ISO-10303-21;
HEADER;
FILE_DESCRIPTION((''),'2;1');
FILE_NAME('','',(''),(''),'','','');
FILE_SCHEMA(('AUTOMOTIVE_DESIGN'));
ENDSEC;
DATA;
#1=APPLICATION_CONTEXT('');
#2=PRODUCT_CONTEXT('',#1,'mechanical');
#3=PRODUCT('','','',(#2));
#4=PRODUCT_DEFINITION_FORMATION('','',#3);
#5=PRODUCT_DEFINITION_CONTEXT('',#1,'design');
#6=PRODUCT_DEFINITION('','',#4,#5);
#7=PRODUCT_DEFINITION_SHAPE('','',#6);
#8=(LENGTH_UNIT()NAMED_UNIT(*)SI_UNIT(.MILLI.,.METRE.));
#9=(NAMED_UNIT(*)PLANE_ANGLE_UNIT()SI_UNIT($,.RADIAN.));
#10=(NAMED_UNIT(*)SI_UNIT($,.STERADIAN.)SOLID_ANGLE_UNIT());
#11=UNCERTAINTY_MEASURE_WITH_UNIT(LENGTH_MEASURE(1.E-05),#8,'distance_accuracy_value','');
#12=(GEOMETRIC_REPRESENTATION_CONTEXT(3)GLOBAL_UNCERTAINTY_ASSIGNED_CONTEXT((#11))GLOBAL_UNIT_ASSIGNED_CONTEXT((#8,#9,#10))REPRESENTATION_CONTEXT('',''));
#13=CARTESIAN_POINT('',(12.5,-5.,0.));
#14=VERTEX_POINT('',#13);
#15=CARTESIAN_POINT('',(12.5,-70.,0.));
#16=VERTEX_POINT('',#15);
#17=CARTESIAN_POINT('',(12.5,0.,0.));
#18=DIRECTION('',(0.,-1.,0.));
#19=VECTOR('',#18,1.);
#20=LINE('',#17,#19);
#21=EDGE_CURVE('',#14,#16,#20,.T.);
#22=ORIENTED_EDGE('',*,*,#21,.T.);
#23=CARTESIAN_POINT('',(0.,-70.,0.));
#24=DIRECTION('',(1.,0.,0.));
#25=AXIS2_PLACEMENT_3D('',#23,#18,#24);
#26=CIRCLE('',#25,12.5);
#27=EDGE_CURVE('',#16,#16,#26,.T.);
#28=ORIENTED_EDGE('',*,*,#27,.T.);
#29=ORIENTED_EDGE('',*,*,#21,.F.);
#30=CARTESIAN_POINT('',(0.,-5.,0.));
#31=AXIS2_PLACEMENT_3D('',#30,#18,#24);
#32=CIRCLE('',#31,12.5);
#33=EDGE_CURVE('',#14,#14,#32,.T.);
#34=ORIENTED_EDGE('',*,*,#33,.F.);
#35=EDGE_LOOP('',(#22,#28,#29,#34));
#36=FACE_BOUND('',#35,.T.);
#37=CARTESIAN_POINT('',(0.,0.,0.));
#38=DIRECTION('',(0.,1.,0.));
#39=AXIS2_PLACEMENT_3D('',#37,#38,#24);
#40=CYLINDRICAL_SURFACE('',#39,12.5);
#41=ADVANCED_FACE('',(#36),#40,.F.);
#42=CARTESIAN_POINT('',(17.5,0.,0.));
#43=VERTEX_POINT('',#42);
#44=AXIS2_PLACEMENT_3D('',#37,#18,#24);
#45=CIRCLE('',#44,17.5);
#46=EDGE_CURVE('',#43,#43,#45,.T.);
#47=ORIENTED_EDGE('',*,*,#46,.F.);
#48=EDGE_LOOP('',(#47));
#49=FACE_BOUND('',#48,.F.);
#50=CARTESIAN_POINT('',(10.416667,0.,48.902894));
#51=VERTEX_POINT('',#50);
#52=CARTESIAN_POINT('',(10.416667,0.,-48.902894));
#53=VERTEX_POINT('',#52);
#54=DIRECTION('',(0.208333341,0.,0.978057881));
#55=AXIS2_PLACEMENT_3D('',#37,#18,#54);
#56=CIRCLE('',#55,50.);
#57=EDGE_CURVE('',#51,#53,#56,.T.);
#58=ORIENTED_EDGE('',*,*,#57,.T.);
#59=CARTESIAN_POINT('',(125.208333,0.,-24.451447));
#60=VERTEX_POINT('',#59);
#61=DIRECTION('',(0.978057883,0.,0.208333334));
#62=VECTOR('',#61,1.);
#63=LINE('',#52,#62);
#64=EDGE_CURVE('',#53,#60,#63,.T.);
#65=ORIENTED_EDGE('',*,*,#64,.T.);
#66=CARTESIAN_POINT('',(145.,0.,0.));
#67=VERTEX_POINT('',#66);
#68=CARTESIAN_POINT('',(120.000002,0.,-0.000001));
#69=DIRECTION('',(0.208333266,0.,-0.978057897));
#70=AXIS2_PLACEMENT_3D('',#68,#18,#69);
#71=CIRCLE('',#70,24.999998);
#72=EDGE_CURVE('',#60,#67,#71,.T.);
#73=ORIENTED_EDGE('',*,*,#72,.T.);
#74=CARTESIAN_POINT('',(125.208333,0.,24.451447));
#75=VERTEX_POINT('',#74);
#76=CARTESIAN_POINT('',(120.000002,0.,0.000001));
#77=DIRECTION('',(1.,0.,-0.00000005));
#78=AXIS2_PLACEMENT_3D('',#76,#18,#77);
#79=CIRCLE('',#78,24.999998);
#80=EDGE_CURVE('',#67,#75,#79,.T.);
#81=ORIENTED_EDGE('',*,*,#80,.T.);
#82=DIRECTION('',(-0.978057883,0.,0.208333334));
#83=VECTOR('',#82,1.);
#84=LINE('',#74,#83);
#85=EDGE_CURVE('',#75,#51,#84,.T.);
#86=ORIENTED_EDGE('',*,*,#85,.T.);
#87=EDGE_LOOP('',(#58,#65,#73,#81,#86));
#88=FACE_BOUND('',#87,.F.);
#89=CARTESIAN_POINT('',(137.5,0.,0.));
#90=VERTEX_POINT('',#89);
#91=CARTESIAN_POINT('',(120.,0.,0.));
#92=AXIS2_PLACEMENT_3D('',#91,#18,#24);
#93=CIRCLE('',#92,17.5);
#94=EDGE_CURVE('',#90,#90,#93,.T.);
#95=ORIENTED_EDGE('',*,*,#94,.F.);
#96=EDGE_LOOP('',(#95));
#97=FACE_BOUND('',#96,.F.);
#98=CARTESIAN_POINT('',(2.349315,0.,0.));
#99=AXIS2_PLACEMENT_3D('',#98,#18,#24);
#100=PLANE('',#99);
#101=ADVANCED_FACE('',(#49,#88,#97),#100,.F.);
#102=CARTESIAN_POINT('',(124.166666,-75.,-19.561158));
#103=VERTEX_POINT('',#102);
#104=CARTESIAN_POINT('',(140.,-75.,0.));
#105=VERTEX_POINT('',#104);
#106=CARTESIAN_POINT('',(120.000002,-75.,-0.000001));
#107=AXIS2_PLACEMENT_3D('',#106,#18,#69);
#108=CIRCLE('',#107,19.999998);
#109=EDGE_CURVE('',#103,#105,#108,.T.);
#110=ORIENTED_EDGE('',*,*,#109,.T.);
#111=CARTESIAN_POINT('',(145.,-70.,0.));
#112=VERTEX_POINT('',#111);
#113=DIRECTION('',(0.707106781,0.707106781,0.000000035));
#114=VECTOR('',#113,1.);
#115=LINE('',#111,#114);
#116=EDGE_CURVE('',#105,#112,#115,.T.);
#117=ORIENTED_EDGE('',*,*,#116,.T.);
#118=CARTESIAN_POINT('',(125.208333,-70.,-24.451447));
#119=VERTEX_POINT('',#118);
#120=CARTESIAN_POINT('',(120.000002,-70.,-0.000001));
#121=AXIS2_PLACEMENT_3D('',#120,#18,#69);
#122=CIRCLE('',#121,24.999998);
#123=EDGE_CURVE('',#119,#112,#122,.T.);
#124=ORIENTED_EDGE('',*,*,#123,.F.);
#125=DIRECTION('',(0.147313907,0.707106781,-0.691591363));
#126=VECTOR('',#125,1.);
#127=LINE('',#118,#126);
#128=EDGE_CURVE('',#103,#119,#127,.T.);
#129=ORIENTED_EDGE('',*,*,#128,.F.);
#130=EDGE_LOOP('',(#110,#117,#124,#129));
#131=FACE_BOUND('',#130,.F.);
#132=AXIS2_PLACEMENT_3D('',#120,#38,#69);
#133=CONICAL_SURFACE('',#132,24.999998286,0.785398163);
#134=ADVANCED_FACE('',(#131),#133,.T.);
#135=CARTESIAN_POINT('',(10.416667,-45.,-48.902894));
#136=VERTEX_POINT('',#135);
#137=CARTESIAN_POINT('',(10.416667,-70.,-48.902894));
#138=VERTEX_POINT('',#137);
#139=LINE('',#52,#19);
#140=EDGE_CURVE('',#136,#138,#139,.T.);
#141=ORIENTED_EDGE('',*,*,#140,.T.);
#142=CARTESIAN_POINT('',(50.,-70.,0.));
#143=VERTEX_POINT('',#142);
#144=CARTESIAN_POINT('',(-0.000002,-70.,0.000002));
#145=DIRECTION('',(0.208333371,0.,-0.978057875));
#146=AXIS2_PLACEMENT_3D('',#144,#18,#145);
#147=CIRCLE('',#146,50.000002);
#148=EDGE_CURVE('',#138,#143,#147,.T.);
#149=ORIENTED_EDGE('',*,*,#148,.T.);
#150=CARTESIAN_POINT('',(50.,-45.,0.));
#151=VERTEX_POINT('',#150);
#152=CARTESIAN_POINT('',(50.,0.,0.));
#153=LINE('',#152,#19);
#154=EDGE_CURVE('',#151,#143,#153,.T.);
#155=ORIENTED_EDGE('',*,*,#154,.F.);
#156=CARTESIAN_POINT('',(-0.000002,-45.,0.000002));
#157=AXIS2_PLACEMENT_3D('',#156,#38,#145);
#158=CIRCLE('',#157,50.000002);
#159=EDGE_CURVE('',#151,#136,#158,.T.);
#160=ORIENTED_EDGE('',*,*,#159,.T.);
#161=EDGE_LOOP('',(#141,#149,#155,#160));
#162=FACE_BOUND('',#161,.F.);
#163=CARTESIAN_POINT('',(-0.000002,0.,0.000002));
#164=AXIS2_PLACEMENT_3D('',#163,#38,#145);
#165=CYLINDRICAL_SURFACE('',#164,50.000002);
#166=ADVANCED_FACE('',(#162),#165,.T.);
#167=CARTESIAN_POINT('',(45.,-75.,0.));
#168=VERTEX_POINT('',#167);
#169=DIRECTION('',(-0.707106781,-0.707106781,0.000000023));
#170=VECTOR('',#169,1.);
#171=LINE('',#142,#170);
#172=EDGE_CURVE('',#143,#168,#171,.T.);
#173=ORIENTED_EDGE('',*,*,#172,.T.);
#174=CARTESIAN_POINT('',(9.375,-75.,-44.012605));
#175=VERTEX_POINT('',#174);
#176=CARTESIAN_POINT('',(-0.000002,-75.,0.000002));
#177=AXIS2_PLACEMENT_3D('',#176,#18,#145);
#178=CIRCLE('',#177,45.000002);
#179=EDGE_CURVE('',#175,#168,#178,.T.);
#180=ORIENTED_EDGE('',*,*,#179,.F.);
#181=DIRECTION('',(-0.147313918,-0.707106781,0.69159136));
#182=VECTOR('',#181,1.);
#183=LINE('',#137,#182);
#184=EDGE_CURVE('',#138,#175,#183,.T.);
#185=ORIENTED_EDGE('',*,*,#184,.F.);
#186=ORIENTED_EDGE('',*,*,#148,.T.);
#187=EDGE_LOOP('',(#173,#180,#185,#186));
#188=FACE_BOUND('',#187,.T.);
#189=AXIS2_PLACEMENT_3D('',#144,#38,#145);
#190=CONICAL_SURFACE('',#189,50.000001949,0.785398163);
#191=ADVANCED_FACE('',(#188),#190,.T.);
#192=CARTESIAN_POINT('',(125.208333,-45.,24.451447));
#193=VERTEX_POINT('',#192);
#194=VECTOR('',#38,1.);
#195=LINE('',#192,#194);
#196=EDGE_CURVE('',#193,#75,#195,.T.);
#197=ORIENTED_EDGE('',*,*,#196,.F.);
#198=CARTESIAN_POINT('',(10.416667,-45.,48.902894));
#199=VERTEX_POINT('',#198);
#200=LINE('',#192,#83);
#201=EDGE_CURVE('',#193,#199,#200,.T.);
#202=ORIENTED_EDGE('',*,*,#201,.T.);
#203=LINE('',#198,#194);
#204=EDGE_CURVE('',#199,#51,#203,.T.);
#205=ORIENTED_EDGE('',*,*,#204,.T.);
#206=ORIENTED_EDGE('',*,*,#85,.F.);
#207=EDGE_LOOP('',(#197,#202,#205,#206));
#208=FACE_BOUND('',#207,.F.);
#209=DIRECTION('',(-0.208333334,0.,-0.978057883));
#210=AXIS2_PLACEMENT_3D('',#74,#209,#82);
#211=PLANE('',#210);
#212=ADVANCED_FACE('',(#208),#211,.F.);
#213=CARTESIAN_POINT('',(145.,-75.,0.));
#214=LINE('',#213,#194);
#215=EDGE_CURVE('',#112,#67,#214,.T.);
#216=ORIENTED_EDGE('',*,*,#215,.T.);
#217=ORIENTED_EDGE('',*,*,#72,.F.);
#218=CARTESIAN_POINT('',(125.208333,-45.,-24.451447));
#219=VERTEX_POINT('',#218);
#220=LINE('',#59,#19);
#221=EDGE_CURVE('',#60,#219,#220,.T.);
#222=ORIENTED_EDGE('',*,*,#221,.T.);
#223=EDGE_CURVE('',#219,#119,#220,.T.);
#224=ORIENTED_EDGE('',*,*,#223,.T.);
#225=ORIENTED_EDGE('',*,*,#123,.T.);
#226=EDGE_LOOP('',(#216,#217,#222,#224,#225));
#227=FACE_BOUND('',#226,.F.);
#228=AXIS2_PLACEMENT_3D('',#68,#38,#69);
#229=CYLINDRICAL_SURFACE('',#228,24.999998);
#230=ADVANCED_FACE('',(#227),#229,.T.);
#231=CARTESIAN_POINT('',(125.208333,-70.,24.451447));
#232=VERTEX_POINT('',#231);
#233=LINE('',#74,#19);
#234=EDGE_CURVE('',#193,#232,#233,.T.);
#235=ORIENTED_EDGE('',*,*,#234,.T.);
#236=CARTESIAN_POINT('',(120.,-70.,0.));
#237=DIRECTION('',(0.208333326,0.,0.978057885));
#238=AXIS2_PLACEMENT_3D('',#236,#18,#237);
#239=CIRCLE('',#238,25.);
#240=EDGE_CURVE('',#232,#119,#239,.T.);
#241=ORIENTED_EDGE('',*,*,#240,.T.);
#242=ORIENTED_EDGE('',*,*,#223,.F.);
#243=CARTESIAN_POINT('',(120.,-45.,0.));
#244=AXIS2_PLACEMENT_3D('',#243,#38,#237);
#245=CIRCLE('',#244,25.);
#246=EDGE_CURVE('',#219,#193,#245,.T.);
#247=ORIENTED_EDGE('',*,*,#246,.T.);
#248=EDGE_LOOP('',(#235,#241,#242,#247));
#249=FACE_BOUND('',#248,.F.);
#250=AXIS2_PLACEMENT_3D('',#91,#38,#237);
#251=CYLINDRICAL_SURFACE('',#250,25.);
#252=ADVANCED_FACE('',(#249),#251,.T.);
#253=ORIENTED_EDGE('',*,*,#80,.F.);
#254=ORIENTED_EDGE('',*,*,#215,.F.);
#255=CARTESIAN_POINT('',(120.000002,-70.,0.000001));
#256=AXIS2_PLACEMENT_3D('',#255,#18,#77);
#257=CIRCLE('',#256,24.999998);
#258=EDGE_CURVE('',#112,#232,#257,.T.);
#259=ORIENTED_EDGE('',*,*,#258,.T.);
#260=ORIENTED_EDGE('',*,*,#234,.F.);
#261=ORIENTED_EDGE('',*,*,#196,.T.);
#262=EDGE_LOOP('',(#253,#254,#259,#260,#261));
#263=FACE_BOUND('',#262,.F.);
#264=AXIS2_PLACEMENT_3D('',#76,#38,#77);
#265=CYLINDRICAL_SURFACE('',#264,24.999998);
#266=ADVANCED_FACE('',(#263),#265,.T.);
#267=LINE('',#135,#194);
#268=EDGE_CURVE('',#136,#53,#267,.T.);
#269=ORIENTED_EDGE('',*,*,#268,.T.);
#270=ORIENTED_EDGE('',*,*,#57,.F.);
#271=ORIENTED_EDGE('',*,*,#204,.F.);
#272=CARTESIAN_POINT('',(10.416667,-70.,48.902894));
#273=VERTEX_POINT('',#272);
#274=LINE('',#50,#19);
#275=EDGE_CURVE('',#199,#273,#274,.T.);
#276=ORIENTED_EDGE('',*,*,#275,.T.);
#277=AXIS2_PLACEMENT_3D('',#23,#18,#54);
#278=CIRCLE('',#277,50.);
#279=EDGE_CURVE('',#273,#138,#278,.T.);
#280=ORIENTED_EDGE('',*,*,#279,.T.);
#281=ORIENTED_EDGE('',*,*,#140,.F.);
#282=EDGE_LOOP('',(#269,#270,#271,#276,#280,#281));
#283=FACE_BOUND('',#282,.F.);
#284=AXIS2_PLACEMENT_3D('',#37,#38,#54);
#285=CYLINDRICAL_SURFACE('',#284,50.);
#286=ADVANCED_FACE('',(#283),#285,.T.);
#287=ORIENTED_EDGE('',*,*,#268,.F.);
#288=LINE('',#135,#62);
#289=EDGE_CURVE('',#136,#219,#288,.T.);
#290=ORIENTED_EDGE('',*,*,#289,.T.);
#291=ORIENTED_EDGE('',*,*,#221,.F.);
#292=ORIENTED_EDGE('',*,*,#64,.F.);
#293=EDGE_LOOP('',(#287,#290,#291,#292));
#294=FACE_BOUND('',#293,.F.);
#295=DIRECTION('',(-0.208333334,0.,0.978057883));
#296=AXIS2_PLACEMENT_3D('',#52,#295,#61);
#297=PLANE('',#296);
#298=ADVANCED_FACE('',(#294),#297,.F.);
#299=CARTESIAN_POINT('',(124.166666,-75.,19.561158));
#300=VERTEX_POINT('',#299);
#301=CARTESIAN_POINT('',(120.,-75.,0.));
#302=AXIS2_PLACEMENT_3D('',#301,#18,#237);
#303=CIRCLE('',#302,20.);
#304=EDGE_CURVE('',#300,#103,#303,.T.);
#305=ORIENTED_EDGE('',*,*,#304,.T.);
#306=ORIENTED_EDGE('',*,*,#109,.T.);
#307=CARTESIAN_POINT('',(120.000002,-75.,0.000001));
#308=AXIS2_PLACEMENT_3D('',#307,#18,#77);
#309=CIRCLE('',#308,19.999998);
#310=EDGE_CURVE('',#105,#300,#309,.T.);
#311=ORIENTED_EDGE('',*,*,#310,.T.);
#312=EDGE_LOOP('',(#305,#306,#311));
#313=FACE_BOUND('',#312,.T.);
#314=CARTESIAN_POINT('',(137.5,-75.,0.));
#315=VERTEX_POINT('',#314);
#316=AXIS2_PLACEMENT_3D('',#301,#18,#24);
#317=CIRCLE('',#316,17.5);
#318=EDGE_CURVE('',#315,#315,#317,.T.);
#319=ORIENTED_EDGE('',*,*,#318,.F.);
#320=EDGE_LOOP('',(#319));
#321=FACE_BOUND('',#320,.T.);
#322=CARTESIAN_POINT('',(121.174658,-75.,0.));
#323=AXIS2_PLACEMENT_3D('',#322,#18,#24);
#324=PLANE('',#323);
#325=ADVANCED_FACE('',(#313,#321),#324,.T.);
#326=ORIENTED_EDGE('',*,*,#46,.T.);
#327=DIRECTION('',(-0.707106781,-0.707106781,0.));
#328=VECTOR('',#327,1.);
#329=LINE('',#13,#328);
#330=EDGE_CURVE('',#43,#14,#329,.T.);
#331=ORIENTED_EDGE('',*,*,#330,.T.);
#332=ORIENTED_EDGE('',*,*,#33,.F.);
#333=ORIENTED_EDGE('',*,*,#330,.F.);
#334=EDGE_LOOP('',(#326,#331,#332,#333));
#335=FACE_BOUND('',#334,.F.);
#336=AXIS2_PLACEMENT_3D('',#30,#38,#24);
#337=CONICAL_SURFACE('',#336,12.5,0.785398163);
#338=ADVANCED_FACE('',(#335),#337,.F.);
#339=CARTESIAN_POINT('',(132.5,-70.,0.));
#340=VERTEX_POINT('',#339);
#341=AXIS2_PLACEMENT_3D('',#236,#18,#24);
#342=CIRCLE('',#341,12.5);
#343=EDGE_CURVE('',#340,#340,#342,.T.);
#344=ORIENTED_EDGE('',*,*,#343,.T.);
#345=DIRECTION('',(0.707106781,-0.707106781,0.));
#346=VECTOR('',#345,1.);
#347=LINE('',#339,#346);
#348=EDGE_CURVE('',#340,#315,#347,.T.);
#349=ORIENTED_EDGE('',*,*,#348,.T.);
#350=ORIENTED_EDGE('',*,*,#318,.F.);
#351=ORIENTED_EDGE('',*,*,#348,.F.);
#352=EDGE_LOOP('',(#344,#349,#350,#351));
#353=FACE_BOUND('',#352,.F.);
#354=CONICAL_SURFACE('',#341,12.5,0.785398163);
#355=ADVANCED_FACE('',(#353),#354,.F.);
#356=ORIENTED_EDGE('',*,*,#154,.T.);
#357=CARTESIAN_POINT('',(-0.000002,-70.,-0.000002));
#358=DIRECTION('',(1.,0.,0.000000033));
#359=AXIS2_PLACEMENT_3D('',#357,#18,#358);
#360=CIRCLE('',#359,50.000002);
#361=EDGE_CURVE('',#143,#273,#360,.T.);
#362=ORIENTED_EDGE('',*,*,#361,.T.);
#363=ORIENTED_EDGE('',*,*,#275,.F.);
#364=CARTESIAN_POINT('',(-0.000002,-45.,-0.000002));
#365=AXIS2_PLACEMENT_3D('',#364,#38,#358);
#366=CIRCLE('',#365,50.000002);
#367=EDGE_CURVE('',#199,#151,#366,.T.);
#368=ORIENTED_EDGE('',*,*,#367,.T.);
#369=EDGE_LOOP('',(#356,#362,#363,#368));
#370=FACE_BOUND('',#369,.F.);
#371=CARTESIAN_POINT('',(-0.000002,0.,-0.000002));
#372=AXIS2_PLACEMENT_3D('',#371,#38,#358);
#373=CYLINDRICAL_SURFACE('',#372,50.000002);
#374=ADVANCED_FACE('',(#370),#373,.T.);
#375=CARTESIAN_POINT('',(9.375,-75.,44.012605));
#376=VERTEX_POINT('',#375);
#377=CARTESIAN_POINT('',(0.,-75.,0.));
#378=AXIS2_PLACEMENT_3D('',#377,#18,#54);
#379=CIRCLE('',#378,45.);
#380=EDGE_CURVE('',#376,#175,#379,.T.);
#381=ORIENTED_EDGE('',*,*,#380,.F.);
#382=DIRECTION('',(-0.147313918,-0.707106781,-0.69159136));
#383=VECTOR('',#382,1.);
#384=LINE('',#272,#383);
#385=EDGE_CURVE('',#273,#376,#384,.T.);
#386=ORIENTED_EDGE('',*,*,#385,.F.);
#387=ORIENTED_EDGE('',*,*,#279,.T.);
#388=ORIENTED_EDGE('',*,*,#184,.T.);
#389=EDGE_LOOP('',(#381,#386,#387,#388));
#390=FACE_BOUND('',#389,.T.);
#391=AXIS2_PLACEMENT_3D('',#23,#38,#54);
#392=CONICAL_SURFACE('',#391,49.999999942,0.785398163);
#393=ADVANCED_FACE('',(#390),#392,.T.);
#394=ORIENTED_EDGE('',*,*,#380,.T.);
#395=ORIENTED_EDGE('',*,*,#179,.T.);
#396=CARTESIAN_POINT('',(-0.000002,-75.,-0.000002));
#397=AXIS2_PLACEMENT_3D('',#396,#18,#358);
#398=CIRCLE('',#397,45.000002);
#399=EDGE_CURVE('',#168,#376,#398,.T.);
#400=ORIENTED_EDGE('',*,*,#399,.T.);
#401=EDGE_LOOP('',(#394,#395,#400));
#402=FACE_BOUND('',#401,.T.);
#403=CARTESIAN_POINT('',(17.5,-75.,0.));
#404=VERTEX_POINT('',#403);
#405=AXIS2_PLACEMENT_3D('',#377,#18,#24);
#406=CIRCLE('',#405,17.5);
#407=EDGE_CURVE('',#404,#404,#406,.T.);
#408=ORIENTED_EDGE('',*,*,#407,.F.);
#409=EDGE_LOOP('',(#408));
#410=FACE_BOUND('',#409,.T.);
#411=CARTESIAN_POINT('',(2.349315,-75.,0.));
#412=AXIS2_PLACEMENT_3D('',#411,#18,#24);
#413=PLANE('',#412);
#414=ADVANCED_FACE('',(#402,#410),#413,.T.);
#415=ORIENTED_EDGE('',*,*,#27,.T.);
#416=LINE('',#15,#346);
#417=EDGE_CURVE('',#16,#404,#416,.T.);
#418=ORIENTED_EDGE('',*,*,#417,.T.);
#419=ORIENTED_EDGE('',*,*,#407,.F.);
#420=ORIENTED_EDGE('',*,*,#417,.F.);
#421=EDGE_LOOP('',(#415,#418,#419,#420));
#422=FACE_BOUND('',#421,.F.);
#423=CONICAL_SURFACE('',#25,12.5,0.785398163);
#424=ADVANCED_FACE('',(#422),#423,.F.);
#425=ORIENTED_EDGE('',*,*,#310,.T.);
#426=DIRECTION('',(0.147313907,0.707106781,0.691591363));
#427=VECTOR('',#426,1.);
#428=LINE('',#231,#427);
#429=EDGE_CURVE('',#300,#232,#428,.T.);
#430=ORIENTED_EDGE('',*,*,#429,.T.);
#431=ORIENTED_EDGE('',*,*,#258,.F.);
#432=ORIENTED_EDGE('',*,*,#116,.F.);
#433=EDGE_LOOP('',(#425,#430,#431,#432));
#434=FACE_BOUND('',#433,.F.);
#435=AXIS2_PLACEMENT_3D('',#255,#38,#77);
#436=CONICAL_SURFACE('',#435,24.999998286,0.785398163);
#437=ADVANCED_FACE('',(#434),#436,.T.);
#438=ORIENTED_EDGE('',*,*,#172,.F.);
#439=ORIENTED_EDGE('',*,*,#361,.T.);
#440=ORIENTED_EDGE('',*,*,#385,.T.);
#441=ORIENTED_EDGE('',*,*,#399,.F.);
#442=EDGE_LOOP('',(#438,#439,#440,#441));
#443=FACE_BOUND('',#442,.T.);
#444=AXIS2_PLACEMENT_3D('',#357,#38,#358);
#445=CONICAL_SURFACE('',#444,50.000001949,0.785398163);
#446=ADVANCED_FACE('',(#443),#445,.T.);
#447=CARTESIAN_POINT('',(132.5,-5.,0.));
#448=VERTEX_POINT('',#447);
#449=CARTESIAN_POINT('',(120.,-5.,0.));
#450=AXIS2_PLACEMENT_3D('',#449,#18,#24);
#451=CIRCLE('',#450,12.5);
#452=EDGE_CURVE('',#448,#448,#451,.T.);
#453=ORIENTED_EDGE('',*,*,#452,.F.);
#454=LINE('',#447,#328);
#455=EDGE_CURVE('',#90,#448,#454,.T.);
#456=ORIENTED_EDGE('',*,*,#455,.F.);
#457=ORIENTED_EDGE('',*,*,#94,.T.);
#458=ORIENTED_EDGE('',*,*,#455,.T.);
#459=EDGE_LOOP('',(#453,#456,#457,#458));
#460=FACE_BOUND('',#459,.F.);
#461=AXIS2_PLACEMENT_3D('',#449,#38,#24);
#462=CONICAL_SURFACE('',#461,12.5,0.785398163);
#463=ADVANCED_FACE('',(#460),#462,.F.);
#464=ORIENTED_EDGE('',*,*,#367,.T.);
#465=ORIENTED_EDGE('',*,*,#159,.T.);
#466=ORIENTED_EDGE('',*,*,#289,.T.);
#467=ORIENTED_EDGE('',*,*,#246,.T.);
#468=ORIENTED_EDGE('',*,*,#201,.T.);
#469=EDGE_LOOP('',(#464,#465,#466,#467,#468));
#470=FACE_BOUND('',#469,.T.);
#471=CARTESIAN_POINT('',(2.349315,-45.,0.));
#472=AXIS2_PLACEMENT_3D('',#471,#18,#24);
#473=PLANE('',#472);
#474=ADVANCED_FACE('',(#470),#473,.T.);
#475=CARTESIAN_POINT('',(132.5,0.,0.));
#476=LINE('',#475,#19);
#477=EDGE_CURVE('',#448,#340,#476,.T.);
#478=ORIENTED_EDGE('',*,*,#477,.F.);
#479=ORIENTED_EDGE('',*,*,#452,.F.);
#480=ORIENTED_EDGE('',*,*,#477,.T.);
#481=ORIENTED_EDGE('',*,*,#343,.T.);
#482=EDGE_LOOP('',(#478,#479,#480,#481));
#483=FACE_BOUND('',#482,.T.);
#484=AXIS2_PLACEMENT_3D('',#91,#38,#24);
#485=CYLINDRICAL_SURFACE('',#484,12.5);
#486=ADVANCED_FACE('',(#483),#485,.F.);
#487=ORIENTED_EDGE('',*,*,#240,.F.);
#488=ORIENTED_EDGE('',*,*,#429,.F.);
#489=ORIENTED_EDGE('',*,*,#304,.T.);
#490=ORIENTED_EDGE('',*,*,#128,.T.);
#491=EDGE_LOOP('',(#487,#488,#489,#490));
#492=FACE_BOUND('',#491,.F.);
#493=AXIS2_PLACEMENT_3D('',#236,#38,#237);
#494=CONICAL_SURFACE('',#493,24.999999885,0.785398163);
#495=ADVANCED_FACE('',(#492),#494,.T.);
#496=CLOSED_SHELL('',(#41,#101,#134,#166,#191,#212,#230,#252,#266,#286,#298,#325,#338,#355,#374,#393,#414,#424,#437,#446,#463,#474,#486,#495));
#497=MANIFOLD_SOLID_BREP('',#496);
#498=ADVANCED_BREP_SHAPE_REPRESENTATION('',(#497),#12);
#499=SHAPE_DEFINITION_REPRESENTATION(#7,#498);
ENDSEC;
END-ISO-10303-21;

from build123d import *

# Parameters (mm, degrees)
F0_R     = 12.5
F1_DEPTH = 45
F2_DEPTH = 75
F3_SIZE  = 5
F4_SIZE  = 5
F5_DEPTH = 15


with BuildPart() as f1:
    # F0 (on Front) → F1 (new body)
    with BuildSketch(Plane.XZ):
        with BuildLine():
            ThreePointArc((10.416667, -48.902894), (38.864079, -31.457643), (50, 0))
            ThreePointArc((50, 0), (38.864079, 31.457643), (10.416667, 48.902894))
            ThreePointArc((10.416667, 48.902894), (-50, 0), (10.416667, -48.902894))
        make_face()
        Circle(F0_R, mode=Mode.SUBTRACT)
        with BuildLine():
            ThreePointArc((10.416667, 48.902894), (38.864079, 31.457643), (50, 0))
            ThreePointArc((50, 0), (38.864079, -31.457643), (10.416667, -48.902894))
            Line((10.416667, -48.902894), (125.208333, -24.451447))
            ThreePointArc((125.208333, -24.451447), (95, 0), (125.208333, 24.451447))
            Line((125.208333, 24.451447), (10.416667, 48.902894))
        make_face()
        with BuildLine():
            ThreePointArc((145, 0), (139.43204, 15.728822), (125.208333, 24.451447))
            ThreePointArc((125.208333, 24.451447), (95, 0), (125.208333, -24.451447))
            ThreePointArc((125.208333, -24.451447), (139.43204, -15.728822), (145, 0))
        make_face()
        with Locations((120, 0)):
            Circle(F0_R, mode=Mode.SUBTRACT)
    extrude(amount=F1_DEPTH)

    # F0 (on Front) → F2 (join)
    with BuildSketch(Plane.XZ):
        with BuildLine():
            ThreePointArc((10.416667, -48.902894), (38.864079, -31.457643), (50, 0))
            ThreePointArc((50, 0), (38.864079, 31.457643), (10.416667, 48.902894))
            ThreePointArc((10.416667, 48.902894), (-50, 0), (10.416667, -48.902894))
        make_face()
        Circle(F0_R, mode=Mode.SUBTRACT)
        with BuildLine():
            ThreePointArc((145, 0), (139.43204, 15.728822), (125.208333, 24.451447))
            ThreePointArc((125.208333, 24.451447), (95, 0), (125.208333, -24.451447))
            ThreePointArc((125.208333, -24.451447), (139.43204, -15.728822), (145, 0))
        make_face()
        with Locations((120, 0)):
            Circle(F0_R, mode=Mode.SUBTRACT)
    extrude(amount=F2_DEPTH)

    # F3
    f3_edges = [f1.edges().sort_by_distance(p)[0] for p in [
        (-10.416667, -75, 48.902894),
        (-12.5, -75, 0),
        (114.791667, -75, 24.451447),
        (107.5, -75, 0),
    ]]
    chamfer(f3_edges, length=F3_SIZE)

    # F4
    f4_edges = [f1.edges().sort_by_distance(p)[0] for p in [
        (107.5, 0, 0),
        (-12.5, 0, 0),
    ]]
    chamfer(f4_edges, length=F4_SIZE)

    # F0 (on Front) → F5 (join)
    with BuildSketch(Plane.XZ):
        with BuildLine():
            ThreePointArc((10.416667, 48.902894), (38.864079, 31.457643), (50, 0))
            ThreePointArc((50, 0), (38.864079, -31.457643), (10.416667, -48.902894))
            Line((10.416667, -48.902894), (125.208333, -24.451447))
            ThreePointArc((125.208333, -24.451447), (95, 0), (125.208333, 24.451447))
            Line((125.208333, 24.451447), (10.416667, 48.902894))
        make_face()
    extrude(amount=F5_DEPTH)


solid = f1.part
